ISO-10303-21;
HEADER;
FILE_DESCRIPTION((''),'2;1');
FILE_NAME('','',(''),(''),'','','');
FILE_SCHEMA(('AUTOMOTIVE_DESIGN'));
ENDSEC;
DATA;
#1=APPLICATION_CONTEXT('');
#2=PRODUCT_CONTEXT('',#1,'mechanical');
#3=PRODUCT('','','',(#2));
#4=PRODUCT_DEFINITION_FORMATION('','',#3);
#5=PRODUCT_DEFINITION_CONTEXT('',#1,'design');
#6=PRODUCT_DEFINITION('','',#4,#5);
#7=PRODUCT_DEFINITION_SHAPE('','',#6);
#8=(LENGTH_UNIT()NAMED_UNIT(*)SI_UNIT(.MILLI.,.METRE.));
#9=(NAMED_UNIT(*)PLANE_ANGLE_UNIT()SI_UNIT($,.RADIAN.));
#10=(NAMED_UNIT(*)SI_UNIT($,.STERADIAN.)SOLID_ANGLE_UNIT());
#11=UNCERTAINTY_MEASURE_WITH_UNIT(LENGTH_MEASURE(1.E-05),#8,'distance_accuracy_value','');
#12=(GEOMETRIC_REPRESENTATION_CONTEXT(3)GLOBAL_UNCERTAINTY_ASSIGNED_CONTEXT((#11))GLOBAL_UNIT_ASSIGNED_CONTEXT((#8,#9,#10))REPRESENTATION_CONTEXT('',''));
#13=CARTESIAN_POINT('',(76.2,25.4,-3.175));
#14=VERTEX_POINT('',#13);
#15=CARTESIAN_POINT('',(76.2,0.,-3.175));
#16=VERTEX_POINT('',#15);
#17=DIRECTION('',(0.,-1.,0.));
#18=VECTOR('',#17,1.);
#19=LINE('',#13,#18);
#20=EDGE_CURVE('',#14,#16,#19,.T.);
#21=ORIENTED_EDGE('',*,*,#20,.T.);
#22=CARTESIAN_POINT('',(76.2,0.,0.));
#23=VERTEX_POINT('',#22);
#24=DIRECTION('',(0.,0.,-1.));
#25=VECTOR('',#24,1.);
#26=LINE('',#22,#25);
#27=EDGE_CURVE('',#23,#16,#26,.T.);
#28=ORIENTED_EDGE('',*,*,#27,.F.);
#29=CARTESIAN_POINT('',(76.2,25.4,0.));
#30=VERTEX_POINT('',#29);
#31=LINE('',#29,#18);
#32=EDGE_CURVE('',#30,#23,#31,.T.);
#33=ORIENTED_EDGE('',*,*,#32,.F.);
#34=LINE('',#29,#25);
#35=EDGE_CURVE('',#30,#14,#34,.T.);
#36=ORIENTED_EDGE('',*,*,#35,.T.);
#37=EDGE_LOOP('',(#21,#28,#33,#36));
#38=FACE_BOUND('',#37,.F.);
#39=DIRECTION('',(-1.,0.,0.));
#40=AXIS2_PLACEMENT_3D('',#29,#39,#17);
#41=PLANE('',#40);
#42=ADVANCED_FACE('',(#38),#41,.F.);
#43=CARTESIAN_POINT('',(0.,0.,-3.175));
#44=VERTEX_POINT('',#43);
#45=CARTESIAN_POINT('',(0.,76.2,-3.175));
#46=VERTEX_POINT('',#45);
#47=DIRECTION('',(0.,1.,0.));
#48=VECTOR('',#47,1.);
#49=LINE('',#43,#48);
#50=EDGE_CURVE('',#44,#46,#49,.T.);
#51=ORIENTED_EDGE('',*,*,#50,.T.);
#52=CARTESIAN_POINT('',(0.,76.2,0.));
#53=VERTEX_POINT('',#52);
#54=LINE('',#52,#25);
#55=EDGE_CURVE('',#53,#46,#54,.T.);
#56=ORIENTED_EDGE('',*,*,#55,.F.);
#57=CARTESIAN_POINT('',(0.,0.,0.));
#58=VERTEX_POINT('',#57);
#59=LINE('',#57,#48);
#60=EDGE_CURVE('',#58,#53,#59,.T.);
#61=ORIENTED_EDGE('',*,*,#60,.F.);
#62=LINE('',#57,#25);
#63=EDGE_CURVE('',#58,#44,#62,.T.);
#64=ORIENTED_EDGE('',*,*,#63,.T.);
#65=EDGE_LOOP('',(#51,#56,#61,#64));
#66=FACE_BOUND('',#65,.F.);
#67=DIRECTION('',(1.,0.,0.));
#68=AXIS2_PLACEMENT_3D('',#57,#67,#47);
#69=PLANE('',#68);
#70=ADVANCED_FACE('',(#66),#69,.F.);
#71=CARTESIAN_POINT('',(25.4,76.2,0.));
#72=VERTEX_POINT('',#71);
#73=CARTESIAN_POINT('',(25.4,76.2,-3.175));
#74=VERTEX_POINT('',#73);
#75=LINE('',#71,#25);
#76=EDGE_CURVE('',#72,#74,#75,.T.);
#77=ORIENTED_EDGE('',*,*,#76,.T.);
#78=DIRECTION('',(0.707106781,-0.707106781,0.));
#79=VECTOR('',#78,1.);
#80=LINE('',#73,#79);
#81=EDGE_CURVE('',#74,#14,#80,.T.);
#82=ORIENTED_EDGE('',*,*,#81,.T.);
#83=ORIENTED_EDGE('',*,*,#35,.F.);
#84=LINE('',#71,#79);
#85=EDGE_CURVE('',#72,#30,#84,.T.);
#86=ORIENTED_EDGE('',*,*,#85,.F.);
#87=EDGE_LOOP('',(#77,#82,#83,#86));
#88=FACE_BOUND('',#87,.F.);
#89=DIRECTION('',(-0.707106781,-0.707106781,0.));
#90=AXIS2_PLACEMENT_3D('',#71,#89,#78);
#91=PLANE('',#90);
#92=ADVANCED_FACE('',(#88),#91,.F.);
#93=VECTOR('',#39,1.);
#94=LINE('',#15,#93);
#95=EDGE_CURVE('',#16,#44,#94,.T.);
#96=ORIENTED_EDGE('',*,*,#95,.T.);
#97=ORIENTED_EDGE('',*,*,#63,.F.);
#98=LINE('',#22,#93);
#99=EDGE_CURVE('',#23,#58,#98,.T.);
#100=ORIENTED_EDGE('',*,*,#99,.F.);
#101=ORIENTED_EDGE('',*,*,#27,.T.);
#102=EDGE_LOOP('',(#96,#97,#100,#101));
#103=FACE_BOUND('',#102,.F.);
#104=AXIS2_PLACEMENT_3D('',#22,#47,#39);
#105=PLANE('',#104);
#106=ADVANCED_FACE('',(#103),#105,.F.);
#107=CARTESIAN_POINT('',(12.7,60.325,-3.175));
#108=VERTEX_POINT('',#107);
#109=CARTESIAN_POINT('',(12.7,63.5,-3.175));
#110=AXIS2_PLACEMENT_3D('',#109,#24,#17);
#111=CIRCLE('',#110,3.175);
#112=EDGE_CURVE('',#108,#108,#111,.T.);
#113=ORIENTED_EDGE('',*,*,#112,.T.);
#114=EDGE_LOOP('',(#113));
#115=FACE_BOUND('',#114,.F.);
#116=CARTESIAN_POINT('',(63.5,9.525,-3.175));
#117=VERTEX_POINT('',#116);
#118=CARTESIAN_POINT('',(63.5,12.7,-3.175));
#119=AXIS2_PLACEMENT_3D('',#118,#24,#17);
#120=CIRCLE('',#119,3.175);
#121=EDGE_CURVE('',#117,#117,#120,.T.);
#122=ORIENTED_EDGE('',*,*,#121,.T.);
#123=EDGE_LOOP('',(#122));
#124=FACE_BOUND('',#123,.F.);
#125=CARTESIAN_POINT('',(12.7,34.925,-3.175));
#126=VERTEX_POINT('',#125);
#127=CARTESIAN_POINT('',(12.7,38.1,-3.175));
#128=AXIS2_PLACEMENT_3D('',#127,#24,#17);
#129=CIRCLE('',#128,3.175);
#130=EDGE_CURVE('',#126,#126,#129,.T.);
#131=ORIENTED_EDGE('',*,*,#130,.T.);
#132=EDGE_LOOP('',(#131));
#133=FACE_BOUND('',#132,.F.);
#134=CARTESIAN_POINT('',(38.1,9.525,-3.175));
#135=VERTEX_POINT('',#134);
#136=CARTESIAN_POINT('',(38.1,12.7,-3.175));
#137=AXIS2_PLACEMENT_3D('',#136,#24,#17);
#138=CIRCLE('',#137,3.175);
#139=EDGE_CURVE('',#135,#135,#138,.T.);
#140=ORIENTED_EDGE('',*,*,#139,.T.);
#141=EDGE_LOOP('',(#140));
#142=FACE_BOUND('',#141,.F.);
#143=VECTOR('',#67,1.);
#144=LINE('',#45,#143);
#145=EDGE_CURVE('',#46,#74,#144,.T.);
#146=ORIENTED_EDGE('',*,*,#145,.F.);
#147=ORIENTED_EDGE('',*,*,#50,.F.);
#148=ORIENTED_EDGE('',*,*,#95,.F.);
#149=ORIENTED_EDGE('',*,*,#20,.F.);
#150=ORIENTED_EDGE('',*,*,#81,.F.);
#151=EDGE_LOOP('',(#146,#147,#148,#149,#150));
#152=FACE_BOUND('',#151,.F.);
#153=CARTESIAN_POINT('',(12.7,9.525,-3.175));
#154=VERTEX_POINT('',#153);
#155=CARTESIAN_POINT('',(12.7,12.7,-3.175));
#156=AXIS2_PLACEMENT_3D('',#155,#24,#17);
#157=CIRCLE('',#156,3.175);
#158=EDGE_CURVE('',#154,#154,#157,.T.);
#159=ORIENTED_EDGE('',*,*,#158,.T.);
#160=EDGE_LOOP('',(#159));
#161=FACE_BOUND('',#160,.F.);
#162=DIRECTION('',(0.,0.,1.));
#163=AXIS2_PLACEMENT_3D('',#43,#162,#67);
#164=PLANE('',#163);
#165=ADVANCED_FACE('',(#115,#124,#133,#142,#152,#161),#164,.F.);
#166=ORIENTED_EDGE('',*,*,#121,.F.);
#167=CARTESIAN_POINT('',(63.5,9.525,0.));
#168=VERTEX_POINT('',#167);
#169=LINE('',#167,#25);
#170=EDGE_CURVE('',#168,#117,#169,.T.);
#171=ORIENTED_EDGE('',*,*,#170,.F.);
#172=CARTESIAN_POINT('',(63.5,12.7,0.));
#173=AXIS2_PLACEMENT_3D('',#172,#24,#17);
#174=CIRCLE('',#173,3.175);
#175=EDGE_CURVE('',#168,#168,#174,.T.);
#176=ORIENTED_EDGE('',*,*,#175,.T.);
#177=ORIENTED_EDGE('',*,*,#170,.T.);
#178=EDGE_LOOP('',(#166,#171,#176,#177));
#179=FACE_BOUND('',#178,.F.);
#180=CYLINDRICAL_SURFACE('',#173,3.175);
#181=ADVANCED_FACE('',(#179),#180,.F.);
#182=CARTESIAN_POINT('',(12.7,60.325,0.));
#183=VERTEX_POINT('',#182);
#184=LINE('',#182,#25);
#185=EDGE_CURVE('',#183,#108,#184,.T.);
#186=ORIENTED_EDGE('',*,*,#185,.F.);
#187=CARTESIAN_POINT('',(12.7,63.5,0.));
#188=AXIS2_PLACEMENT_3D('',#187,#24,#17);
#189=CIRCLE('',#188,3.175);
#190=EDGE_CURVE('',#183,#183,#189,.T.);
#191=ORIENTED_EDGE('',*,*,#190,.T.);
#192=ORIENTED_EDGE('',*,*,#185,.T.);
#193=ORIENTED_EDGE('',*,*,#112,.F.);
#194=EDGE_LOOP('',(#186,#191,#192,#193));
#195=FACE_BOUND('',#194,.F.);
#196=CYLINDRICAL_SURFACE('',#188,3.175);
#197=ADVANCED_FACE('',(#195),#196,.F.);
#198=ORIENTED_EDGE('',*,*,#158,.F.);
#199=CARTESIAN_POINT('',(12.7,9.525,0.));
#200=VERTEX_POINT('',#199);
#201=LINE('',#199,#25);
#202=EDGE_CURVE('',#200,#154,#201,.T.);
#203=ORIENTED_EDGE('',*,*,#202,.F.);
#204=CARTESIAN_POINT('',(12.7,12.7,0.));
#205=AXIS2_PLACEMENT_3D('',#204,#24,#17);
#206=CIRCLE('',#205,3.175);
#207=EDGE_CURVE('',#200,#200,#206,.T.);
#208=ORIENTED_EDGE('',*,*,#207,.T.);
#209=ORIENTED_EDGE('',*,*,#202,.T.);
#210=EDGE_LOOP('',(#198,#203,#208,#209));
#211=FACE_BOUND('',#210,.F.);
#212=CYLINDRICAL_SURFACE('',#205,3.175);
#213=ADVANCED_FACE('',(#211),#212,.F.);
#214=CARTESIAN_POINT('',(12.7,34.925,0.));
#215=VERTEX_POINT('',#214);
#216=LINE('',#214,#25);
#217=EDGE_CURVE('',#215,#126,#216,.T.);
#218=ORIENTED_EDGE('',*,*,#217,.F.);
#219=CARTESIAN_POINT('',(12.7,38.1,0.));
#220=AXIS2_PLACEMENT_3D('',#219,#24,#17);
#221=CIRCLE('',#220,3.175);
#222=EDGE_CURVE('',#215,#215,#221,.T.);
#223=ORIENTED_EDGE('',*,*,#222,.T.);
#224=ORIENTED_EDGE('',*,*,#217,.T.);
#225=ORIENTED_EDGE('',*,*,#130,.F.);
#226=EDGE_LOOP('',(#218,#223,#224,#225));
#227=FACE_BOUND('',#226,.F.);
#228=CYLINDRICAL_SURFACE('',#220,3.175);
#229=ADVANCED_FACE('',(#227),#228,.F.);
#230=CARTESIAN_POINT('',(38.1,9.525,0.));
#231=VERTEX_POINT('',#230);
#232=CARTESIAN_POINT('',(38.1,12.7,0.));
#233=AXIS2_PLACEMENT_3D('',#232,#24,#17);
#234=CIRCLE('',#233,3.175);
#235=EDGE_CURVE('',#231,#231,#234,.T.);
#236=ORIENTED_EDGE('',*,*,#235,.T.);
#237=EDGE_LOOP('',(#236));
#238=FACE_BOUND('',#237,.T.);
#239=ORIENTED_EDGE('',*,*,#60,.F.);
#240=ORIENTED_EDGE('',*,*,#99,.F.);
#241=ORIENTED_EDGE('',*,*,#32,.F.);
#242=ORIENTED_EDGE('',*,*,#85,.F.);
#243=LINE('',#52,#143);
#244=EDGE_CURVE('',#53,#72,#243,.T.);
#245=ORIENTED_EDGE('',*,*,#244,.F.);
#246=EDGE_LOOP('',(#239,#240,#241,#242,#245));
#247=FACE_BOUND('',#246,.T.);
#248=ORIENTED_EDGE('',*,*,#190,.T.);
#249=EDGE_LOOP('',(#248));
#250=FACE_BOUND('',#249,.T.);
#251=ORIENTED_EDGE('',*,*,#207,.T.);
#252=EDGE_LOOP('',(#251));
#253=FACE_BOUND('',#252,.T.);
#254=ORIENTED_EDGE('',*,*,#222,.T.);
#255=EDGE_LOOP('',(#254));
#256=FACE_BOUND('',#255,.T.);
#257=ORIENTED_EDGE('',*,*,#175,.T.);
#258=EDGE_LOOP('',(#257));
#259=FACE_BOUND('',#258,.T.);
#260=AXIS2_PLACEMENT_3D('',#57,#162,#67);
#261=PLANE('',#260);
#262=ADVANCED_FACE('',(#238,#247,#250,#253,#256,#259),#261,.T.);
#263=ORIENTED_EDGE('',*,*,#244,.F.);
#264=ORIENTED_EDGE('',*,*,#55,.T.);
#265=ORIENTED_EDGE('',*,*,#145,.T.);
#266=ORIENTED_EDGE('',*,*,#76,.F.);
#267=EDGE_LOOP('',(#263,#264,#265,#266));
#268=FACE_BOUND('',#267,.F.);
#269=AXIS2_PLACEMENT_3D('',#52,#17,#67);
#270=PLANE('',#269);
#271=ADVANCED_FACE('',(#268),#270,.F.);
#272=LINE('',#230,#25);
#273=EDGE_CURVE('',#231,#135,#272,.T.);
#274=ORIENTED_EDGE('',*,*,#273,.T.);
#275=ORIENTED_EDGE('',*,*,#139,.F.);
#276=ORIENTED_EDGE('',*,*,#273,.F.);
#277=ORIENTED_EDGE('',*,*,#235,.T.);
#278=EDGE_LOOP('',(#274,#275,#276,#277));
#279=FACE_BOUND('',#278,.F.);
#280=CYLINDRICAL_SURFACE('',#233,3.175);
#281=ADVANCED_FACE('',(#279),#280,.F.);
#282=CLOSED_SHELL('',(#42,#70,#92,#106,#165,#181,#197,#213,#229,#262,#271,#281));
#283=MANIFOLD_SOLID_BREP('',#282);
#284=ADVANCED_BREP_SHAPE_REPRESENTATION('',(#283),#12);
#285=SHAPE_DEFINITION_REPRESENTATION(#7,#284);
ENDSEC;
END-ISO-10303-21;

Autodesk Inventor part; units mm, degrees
ref_plane "YZ Plane" through (0, 0, 0) normal (1, 0, 0) x (0, 1, 0)
ref_plane "XZ Plane" through (0, 0, 0) normal (0, 1, 0) x (-1, 0, 0)
ref_plane "XY Plane" through (0, 0, 0) normal (0, 0, 1) x (1, 0, 0)
sketch "Sketch1" plane through (0, 0, 0) normal (0, 0, 1) x (1, 0, 0)
  line L0 (0, 0) -> (0, 76.2)
  line L1 (0, 76.2) -> (25.4, 76.2)
  line L2 (25.4, 76.2) -> (76.2, 25.4)
  line L3 (76.2, 25.4) -> (76.2, 0)
  line L4 (76.2, 0) -> (0, 0)
  point P0 (12.7, 63.5)
  point P1 (12.7, 38.1)
  point P2 (12.7, 12.7)
  point P3 (38.1, 12.7)
  point P4 (63.5, 12.7)
  dimension "d0" = 76.2
  dimension "d1" = 76.2
  dimension "d2" = 25.4
  dimension "d3" = 25.4
  dimension "d4" = 12.7
  dimension "d5" = 12.7
  dimension "d6" = 25.4
  dimension "d7" = 25.4
  dimension "d8" = 25.4
  dimension "d9" = 25.4
extrude "Extrusion1" add sketch "Sketch1" against normal blind 3.175
hole "Hole1" at (12.7, 63.5, 0) at (12.7, 38.1, 0) at (12.7, 12.7, 0) at (38.1, 12.7, 0) at (63.5, 12.7, 0) direction (0, 0, -1) diameter 6.35 depth 25.4 tip angle 118
properties part number "common angle bracket"
